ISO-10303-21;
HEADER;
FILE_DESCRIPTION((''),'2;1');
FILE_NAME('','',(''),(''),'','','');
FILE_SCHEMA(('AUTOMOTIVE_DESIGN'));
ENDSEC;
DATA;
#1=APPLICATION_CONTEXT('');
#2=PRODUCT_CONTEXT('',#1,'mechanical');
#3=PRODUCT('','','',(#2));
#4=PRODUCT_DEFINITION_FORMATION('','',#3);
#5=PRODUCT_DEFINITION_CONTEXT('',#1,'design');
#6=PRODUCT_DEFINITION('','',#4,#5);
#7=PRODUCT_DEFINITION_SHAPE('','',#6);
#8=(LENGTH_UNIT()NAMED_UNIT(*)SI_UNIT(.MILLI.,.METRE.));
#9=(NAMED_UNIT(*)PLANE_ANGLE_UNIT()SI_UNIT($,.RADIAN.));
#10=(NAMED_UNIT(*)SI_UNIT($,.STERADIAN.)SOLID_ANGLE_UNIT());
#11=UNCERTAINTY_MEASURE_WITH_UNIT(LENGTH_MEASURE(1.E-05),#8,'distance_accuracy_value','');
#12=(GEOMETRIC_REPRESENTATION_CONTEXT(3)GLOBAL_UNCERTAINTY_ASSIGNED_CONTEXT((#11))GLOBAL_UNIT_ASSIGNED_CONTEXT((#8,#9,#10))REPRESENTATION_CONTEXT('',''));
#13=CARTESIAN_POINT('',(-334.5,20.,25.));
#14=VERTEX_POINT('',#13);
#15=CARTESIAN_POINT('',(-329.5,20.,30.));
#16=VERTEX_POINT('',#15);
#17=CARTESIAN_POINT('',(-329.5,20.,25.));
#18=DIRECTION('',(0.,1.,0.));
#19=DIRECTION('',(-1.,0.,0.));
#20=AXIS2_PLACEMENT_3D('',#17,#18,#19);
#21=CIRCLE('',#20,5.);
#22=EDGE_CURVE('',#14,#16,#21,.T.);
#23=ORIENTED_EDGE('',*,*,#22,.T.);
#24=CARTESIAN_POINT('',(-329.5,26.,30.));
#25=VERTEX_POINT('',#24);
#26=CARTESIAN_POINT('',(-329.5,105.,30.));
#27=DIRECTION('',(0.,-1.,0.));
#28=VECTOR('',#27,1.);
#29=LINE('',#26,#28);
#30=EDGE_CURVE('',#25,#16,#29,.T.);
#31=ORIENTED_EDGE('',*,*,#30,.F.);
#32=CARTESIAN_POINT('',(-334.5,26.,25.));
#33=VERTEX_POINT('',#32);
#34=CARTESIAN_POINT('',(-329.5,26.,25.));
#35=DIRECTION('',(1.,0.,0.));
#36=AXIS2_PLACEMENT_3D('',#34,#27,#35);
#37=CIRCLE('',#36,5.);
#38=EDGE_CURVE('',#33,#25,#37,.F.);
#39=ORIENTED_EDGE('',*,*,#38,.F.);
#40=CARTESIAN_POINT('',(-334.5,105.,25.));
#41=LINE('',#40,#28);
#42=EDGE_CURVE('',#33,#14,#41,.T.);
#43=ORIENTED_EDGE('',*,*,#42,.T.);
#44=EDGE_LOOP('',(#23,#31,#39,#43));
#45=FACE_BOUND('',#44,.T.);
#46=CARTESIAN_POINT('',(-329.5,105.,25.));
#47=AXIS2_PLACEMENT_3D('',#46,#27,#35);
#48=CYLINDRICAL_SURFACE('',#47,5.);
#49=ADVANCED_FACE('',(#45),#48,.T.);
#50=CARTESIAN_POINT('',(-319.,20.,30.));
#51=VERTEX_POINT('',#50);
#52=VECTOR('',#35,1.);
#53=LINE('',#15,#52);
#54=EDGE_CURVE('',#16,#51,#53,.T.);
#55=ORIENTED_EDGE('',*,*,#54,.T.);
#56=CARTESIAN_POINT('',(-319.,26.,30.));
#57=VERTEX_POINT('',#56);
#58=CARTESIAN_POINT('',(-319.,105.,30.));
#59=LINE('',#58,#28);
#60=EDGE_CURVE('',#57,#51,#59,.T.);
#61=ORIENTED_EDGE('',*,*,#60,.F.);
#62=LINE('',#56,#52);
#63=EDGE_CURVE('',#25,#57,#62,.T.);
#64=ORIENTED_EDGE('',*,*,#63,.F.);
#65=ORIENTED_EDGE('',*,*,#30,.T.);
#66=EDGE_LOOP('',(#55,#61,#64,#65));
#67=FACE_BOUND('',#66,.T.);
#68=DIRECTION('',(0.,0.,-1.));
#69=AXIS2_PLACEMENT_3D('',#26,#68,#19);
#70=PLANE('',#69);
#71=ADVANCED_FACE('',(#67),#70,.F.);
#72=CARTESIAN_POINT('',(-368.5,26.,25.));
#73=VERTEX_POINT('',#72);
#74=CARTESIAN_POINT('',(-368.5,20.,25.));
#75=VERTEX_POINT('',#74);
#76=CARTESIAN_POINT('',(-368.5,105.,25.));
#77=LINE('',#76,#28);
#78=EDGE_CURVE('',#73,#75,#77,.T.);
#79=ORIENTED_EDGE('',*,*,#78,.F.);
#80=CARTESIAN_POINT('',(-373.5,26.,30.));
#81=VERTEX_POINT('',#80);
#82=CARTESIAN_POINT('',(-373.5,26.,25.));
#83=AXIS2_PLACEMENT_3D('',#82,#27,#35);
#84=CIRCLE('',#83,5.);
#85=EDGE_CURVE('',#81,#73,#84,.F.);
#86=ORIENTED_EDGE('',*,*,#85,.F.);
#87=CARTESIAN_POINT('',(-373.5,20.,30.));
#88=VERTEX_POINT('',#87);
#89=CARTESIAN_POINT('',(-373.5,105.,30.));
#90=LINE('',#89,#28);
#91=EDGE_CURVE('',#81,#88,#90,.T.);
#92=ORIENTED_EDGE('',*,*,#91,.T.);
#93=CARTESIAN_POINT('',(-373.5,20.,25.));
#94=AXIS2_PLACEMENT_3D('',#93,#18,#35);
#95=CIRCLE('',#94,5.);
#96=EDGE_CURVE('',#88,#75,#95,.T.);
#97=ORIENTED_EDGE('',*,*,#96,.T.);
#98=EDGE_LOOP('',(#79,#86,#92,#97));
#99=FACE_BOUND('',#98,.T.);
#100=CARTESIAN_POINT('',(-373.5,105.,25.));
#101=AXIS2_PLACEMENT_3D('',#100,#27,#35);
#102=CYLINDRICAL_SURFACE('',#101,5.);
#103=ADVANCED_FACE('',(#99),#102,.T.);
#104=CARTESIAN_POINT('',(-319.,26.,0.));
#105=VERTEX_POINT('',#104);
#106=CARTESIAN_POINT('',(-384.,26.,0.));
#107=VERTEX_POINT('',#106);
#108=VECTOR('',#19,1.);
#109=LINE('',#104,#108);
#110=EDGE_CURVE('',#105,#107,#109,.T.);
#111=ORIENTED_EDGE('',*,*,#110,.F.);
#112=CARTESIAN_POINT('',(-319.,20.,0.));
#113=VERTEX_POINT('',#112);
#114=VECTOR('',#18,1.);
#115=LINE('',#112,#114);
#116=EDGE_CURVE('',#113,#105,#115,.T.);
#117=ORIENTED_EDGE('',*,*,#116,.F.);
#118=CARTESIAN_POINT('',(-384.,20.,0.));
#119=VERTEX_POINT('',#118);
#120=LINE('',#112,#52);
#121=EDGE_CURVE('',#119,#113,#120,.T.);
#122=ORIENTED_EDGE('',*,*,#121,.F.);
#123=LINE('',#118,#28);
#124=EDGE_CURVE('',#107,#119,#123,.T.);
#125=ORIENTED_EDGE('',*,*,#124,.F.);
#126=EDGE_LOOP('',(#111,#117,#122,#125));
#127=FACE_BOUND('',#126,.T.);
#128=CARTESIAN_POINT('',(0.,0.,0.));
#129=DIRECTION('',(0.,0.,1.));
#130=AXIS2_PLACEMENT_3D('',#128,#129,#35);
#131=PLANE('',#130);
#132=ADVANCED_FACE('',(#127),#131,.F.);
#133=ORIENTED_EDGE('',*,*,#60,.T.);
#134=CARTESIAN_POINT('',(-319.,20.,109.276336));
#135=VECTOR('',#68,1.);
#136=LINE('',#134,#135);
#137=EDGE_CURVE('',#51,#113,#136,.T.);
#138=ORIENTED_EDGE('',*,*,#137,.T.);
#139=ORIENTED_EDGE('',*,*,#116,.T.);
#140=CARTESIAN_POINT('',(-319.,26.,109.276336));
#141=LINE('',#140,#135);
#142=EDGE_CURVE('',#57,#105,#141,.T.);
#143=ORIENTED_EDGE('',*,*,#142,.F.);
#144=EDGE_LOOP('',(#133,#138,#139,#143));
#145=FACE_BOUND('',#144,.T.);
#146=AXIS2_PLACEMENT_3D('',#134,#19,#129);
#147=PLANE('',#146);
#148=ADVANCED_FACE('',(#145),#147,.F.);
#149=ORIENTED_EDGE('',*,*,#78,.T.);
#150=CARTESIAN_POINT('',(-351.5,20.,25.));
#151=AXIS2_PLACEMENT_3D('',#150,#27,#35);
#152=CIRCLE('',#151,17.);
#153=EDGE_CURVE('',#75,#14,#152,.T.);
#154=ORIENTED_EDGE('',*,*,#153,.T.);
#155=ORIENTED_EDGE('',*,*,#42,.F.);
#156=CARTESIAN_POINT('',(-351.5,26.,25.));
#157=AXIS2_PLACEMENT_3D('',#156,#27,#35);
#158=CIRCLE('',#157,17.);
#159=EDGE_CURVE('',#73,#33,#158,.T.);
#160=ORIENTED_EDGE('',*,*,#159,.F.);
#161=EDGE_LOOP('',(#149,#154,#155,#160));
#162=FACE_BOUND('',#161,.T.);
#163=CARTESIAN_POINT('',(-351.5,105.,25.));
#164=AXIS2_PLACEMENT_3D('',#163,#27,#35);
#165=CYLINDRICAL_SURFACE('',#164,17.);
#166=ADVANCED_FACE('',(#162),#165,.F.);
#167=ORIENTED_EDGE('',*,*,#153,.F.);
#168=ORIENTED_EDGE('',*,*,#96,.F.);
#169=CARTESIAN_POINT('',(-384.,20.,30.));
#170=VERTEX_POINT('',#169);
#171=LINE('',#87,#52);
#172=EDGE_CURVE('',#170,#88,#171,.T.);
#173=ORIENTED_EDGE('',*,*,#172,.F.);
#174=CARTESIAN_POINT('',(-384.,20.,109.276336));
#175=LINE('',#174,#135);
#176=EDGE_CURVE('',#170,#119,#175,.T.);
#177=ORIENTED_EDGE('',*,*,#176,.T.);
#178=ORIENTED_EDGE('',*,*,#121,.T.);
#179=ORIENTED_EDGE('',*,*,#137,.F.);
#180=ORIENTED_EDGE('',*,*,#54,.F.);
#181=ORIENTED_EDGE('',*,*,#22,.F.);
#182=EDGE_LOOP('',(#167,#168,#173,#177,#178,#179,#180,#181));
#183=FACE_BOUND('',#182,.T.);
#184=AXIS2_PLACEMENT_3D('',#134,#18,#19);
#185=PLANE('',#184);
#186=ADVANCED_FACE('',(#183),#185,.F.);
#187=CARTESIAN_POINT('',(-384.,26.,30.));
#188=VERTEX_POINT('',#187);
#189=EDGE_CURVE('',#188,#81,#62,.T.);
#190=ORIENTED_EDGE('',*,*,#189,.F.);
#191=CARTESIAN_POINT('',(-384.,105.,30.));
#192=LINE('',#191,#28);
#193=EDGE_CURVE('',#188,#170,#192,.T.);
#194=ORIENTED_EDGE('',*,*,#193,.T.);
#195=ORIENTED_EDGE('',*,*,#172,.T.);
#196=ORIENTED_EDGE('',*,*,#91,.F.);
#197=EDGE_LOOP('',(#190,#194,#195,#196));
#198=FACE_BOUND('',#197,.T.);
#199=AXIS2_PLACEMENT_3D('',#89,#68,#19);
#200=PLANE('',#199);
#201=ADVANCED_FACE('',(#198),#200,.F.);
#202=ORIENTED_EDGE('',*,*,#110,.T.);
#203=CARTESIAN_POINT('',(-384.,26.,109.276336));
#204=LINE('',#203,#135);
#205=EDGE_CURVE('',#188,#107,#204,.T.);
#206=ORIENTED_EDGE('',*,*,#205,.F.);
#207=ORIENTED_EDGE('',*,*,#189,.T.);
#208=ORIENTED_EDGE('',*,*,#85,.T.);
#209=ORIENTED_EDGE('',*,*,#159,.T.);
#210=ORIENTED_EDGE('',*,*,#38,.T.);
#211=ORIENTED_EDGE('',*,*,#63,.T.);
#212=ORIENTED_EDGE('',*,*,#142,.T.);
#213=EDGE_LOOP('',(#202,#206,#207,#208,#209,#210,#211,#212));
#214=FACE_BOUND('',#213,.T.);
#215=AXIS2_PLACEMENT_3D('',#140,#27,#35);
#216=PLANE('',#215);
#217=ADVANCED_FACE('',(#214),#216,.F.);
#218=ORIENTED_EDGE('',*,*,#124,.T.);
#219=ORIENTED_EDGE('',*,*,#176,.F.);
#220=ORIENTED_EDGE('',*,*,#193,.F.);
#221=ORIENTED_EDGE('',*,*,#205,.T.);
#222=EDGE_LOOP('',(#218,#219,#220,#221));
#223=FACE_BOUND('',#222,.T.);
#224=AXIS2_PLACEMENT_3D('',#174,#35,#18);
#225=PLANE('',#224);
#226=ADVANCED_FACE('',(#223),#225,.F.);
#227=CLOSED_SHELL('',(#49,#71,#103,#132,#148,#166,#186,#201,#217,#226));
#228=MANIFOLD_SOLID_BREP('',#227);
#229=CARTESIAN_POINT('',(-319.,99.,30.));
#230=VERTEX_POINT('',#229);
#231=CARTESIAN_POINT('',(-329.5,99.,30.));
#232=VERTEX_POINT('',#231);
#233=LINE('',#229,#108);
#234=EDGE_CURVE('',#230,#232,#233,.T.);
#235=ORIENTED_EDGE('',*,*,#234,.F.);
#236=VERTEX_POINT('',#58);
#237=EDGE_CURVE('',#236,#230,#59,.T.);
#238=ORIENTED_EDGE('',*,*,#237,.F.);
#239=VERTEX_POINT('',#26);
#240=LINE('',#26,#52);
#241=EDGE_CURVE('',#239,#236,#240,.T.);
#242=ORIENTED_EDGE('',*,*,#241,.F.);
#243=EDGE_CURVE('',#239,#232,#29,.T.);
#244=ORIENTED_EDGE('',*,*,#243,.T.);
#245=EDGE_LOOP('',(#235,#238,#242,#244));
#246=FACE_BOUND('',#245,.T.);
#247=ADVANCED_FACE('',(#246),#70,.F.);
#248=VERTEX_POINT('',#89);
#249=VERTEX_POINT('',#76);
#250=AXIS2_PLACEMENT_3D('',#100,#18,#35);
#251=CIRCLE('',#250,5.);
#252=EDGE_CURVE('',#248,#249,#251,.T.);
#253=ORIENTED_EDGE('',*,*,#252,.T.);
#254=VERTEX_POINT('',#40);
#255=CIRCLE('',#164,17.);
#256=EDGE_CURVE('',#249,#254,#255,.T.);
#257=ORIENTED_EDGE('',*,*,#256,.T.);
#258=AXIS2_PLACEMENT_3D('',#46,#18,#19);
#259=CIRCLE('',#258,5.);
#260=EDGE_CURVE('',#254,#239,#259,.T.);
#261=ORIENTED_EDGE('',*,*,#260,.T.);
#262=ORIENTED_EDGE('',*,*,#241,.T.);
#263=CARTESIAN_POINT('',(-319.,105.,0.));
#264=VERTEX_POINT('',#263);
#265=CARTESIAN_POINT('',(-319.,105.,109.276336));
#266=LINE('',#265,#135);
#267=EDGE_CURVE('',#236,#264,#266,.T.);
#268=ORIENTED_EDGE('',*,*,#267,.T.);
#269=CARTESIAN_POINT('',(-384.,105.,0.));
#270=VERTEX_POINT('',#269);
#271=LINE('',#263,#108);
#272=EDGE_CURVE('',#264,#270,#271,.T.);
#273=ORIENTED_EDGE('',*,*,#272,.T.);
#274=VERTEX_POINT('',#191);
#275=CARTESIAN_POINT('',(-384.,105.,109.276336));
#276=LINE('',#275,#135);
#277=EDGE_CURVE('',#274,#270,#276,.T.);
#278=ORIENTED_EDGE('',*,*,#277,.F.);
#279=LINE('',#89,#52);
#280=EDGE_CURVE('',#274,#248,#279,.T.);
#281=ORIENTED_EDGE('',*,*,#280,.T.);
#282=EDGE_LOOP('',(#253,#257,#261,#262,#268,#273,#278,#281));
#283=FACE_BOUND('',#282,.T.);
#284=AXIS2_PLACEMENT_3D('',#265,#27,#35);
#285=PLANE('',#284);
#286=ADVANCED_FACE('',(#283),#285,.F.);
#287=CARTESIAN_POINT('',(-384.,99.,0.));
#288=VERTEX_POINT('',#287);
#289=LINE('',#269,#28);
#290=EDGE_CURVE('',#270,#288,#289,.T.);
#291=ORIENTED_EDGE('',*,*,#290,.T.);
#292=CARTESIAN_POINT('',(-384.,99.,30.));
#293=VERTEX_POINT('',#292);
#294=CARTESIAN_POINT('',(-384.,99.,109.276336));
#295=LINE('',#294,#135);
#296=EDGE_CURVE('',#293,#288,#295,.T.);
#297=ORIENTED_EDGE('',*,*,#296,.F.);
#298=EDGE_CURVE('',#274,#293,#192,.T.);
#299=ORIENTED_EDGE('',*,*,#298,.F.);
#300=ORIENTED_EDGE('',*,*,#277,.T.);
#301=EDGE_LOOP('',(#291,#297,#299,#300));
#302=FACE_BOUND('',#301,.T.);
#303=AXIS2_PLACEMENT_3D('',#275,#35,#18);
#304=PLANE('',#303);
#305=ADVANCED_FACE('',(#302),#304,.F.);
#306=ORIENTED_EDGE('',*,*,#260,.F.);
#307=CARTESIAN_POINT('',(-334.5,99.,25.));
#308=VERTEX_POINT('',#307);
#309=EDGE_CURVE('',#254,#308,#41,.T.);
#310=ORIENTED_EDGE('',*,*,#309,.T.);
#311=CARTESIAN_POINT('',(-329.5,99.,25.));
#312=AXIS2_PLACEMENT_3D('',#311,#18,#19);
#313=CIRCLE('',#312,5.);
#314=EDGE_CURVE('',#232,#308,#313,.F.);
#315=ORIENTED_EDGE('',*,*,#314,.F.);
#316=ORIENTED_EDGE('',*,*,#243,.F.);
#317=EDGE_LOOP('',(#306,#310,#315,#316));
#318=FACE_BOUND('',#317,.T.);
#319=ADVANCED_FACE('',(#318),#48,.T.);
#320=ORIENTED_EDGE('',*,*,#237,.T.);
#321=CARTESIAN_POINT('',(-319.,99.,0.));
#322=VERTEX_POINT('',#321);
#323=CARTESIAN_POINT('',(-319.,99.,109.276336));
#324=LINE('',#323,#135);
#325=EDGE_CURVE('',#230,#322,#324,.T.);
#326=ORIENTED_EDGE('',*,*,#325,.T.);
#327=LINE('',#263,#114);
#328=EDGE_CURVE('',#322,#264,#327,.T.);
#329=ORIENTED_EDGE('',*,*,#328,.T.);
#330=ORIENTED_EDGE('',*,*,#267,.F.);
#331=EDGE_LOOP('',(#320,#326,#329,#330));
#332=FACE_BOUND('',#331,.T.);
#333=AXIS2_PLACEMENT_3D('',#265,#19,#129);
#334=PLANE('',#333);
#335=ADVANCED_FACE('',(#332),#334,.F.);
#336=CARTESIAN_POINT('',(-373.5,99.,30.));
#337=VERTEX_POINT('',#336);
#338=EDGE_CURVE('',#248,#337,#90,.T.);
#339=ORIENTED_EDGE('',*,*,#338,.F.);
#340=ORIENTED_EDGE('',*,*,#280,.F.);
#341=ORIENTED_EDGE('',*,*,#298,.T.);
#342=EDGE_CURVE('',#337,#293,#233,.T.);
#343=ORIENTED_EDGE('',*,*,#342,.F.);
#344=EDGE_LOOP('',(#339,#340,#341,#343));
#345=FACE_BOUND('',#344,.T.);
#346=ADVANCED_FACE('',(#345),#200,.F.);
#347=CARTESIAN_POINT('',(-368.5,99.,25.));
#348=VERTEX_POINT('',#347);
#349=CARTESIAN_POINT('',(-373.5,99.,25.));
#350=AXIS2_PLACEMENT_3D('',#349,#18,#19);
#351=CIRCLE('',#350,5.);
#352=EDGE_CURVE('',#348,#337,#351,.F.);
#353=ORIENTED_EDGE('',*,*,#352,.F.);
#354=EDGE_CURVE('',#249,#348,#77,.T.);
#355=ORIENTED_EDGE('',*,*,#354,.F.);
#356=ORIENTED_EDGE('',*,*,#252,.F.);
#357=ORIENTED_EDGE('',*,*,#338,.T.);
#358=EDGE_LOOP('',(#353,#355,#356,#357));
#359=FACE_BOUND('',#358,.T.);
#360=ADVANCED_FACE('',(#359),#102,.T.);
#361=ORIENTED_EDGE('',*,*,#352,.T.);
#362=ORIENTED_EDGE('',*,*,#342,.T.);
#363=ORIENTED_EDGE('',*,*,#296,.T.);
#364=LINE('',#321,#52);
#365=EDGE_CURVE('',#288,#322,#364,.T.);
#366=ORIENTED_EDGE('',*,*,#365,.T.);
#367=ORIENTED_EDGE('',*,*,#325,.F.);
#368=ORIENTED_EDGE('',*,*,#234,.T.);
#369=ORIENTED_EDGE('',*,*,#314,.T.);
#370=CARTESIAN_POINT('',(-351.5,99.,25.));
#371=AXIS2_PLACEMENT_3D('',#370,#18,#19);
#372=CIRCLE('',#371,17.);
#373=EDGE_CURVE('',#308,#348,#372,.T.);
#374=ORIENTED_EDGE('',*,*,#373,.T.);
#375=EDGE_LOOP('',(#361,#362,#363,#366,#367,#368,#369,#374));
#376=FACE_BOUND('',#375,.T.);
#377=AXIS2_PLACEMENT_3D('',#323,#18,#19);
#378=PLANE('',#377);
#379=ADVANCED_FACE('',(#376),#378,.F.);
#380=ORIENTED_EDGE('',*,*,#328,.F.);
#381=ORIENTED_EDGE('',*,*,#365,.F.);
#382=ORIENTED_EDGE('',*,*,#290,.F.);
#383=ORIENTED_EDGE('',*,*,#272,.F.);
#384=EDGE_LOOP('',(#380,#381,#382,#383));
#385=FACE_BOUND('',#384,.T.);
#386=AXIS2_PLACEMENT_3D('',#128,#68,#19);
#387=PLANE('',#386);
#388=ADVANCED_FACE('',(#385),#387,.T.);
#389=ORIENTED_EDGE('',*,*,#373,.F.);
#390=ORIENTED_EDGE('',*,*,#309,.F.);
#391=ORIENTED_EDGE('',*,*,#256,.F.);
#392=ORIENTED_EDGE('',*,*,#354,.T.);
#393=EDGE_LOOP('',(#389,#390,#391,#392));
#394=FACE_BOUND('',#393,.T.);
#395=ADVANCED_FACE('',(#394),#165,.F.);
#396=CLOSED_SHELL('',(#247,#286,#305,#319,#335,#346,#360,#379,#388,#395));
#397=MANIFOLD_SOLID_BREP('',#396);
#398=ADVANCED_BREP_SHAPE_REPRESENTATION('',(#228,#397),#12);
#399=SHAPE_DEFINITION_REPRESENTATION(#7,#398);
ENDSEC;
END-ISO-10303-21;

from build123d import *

# Parameters (mm, degrees)
SKETCH1_W             = 65
SKETCH1_H             = 6
BOSS_EXTRUDE1_DEPTH   = 44
BOSS_EXTRUDE1_2_DEPTH = 44
CUT_EXTRUDE4_DEPTH    = 396.74865761


with BuildPart() as part:
    # Sketch1 → Boss-Extrude1 (new body)
    with BuildSketch(Plane.XY):
        with Locations((-351.5, 23)):
            Rectangle(SKETCH1_W, SKETCH1_H)
    extrude(amount=BOSS_EXTRUDE1_DEPTH)


with BuildPart() as body_2:
    # Sketch1 → Boss-Extrude1 2 (new body)
    with BuildSketch(Plane.XY):
        with Locations((-351.5, 102)):
            Rectangle(SKETCH1_W, SKETCH1_H)
    extrude(amount=BOSS_EXTRUDE1_2_DEPTH)


with BuildPart() as cut_extrude4_tool:
    # Sketch4 → Cut-Extrude4 (new, through all)
    with BuildSketch(Plane(origin=(0, 20, 0), x_dir=(-1, 0, 0), z_dir=(0, -1, 0))):
        with BuildLine():
            Line((319, -30), (319, -44))
            Line((319, -44), (384, -44))
            Line((384, -44), (384, -30))
            Line((384, -30), (373.5, -30))
            ThreePointArc((373.5, -30), (369.964466094, -28.535533906), (368.5, -25))
            ThreePointArc((368.5, -25), (351.5, -8), (334.5, -25))
            ThreePointArc((334.5, -25), (333.035533906, -28.535533906), (329.5, -30))
            Line((329.5, -30), (319, -30))
        make_face()
    extrude(amount=-CUT_EXTRUDE4_DEPTH)


with BuildPart() as part_1:
    add(part.part)

    # Cut-Extrude4: cut by cut_extrude4_tool
    add(cut_extrude4_tool.part, mode=Mode.SUBTRACT)


with BuildPart() as body_2_1:
    add(body_2.part)

    # Cut-Extrude4: cut by cut_extrude4_tool
    add(cut_extrude4_tool.part, mode=Mode.SUBTRACT)


solid = Compound([part_1.part, body_2_1.part])
